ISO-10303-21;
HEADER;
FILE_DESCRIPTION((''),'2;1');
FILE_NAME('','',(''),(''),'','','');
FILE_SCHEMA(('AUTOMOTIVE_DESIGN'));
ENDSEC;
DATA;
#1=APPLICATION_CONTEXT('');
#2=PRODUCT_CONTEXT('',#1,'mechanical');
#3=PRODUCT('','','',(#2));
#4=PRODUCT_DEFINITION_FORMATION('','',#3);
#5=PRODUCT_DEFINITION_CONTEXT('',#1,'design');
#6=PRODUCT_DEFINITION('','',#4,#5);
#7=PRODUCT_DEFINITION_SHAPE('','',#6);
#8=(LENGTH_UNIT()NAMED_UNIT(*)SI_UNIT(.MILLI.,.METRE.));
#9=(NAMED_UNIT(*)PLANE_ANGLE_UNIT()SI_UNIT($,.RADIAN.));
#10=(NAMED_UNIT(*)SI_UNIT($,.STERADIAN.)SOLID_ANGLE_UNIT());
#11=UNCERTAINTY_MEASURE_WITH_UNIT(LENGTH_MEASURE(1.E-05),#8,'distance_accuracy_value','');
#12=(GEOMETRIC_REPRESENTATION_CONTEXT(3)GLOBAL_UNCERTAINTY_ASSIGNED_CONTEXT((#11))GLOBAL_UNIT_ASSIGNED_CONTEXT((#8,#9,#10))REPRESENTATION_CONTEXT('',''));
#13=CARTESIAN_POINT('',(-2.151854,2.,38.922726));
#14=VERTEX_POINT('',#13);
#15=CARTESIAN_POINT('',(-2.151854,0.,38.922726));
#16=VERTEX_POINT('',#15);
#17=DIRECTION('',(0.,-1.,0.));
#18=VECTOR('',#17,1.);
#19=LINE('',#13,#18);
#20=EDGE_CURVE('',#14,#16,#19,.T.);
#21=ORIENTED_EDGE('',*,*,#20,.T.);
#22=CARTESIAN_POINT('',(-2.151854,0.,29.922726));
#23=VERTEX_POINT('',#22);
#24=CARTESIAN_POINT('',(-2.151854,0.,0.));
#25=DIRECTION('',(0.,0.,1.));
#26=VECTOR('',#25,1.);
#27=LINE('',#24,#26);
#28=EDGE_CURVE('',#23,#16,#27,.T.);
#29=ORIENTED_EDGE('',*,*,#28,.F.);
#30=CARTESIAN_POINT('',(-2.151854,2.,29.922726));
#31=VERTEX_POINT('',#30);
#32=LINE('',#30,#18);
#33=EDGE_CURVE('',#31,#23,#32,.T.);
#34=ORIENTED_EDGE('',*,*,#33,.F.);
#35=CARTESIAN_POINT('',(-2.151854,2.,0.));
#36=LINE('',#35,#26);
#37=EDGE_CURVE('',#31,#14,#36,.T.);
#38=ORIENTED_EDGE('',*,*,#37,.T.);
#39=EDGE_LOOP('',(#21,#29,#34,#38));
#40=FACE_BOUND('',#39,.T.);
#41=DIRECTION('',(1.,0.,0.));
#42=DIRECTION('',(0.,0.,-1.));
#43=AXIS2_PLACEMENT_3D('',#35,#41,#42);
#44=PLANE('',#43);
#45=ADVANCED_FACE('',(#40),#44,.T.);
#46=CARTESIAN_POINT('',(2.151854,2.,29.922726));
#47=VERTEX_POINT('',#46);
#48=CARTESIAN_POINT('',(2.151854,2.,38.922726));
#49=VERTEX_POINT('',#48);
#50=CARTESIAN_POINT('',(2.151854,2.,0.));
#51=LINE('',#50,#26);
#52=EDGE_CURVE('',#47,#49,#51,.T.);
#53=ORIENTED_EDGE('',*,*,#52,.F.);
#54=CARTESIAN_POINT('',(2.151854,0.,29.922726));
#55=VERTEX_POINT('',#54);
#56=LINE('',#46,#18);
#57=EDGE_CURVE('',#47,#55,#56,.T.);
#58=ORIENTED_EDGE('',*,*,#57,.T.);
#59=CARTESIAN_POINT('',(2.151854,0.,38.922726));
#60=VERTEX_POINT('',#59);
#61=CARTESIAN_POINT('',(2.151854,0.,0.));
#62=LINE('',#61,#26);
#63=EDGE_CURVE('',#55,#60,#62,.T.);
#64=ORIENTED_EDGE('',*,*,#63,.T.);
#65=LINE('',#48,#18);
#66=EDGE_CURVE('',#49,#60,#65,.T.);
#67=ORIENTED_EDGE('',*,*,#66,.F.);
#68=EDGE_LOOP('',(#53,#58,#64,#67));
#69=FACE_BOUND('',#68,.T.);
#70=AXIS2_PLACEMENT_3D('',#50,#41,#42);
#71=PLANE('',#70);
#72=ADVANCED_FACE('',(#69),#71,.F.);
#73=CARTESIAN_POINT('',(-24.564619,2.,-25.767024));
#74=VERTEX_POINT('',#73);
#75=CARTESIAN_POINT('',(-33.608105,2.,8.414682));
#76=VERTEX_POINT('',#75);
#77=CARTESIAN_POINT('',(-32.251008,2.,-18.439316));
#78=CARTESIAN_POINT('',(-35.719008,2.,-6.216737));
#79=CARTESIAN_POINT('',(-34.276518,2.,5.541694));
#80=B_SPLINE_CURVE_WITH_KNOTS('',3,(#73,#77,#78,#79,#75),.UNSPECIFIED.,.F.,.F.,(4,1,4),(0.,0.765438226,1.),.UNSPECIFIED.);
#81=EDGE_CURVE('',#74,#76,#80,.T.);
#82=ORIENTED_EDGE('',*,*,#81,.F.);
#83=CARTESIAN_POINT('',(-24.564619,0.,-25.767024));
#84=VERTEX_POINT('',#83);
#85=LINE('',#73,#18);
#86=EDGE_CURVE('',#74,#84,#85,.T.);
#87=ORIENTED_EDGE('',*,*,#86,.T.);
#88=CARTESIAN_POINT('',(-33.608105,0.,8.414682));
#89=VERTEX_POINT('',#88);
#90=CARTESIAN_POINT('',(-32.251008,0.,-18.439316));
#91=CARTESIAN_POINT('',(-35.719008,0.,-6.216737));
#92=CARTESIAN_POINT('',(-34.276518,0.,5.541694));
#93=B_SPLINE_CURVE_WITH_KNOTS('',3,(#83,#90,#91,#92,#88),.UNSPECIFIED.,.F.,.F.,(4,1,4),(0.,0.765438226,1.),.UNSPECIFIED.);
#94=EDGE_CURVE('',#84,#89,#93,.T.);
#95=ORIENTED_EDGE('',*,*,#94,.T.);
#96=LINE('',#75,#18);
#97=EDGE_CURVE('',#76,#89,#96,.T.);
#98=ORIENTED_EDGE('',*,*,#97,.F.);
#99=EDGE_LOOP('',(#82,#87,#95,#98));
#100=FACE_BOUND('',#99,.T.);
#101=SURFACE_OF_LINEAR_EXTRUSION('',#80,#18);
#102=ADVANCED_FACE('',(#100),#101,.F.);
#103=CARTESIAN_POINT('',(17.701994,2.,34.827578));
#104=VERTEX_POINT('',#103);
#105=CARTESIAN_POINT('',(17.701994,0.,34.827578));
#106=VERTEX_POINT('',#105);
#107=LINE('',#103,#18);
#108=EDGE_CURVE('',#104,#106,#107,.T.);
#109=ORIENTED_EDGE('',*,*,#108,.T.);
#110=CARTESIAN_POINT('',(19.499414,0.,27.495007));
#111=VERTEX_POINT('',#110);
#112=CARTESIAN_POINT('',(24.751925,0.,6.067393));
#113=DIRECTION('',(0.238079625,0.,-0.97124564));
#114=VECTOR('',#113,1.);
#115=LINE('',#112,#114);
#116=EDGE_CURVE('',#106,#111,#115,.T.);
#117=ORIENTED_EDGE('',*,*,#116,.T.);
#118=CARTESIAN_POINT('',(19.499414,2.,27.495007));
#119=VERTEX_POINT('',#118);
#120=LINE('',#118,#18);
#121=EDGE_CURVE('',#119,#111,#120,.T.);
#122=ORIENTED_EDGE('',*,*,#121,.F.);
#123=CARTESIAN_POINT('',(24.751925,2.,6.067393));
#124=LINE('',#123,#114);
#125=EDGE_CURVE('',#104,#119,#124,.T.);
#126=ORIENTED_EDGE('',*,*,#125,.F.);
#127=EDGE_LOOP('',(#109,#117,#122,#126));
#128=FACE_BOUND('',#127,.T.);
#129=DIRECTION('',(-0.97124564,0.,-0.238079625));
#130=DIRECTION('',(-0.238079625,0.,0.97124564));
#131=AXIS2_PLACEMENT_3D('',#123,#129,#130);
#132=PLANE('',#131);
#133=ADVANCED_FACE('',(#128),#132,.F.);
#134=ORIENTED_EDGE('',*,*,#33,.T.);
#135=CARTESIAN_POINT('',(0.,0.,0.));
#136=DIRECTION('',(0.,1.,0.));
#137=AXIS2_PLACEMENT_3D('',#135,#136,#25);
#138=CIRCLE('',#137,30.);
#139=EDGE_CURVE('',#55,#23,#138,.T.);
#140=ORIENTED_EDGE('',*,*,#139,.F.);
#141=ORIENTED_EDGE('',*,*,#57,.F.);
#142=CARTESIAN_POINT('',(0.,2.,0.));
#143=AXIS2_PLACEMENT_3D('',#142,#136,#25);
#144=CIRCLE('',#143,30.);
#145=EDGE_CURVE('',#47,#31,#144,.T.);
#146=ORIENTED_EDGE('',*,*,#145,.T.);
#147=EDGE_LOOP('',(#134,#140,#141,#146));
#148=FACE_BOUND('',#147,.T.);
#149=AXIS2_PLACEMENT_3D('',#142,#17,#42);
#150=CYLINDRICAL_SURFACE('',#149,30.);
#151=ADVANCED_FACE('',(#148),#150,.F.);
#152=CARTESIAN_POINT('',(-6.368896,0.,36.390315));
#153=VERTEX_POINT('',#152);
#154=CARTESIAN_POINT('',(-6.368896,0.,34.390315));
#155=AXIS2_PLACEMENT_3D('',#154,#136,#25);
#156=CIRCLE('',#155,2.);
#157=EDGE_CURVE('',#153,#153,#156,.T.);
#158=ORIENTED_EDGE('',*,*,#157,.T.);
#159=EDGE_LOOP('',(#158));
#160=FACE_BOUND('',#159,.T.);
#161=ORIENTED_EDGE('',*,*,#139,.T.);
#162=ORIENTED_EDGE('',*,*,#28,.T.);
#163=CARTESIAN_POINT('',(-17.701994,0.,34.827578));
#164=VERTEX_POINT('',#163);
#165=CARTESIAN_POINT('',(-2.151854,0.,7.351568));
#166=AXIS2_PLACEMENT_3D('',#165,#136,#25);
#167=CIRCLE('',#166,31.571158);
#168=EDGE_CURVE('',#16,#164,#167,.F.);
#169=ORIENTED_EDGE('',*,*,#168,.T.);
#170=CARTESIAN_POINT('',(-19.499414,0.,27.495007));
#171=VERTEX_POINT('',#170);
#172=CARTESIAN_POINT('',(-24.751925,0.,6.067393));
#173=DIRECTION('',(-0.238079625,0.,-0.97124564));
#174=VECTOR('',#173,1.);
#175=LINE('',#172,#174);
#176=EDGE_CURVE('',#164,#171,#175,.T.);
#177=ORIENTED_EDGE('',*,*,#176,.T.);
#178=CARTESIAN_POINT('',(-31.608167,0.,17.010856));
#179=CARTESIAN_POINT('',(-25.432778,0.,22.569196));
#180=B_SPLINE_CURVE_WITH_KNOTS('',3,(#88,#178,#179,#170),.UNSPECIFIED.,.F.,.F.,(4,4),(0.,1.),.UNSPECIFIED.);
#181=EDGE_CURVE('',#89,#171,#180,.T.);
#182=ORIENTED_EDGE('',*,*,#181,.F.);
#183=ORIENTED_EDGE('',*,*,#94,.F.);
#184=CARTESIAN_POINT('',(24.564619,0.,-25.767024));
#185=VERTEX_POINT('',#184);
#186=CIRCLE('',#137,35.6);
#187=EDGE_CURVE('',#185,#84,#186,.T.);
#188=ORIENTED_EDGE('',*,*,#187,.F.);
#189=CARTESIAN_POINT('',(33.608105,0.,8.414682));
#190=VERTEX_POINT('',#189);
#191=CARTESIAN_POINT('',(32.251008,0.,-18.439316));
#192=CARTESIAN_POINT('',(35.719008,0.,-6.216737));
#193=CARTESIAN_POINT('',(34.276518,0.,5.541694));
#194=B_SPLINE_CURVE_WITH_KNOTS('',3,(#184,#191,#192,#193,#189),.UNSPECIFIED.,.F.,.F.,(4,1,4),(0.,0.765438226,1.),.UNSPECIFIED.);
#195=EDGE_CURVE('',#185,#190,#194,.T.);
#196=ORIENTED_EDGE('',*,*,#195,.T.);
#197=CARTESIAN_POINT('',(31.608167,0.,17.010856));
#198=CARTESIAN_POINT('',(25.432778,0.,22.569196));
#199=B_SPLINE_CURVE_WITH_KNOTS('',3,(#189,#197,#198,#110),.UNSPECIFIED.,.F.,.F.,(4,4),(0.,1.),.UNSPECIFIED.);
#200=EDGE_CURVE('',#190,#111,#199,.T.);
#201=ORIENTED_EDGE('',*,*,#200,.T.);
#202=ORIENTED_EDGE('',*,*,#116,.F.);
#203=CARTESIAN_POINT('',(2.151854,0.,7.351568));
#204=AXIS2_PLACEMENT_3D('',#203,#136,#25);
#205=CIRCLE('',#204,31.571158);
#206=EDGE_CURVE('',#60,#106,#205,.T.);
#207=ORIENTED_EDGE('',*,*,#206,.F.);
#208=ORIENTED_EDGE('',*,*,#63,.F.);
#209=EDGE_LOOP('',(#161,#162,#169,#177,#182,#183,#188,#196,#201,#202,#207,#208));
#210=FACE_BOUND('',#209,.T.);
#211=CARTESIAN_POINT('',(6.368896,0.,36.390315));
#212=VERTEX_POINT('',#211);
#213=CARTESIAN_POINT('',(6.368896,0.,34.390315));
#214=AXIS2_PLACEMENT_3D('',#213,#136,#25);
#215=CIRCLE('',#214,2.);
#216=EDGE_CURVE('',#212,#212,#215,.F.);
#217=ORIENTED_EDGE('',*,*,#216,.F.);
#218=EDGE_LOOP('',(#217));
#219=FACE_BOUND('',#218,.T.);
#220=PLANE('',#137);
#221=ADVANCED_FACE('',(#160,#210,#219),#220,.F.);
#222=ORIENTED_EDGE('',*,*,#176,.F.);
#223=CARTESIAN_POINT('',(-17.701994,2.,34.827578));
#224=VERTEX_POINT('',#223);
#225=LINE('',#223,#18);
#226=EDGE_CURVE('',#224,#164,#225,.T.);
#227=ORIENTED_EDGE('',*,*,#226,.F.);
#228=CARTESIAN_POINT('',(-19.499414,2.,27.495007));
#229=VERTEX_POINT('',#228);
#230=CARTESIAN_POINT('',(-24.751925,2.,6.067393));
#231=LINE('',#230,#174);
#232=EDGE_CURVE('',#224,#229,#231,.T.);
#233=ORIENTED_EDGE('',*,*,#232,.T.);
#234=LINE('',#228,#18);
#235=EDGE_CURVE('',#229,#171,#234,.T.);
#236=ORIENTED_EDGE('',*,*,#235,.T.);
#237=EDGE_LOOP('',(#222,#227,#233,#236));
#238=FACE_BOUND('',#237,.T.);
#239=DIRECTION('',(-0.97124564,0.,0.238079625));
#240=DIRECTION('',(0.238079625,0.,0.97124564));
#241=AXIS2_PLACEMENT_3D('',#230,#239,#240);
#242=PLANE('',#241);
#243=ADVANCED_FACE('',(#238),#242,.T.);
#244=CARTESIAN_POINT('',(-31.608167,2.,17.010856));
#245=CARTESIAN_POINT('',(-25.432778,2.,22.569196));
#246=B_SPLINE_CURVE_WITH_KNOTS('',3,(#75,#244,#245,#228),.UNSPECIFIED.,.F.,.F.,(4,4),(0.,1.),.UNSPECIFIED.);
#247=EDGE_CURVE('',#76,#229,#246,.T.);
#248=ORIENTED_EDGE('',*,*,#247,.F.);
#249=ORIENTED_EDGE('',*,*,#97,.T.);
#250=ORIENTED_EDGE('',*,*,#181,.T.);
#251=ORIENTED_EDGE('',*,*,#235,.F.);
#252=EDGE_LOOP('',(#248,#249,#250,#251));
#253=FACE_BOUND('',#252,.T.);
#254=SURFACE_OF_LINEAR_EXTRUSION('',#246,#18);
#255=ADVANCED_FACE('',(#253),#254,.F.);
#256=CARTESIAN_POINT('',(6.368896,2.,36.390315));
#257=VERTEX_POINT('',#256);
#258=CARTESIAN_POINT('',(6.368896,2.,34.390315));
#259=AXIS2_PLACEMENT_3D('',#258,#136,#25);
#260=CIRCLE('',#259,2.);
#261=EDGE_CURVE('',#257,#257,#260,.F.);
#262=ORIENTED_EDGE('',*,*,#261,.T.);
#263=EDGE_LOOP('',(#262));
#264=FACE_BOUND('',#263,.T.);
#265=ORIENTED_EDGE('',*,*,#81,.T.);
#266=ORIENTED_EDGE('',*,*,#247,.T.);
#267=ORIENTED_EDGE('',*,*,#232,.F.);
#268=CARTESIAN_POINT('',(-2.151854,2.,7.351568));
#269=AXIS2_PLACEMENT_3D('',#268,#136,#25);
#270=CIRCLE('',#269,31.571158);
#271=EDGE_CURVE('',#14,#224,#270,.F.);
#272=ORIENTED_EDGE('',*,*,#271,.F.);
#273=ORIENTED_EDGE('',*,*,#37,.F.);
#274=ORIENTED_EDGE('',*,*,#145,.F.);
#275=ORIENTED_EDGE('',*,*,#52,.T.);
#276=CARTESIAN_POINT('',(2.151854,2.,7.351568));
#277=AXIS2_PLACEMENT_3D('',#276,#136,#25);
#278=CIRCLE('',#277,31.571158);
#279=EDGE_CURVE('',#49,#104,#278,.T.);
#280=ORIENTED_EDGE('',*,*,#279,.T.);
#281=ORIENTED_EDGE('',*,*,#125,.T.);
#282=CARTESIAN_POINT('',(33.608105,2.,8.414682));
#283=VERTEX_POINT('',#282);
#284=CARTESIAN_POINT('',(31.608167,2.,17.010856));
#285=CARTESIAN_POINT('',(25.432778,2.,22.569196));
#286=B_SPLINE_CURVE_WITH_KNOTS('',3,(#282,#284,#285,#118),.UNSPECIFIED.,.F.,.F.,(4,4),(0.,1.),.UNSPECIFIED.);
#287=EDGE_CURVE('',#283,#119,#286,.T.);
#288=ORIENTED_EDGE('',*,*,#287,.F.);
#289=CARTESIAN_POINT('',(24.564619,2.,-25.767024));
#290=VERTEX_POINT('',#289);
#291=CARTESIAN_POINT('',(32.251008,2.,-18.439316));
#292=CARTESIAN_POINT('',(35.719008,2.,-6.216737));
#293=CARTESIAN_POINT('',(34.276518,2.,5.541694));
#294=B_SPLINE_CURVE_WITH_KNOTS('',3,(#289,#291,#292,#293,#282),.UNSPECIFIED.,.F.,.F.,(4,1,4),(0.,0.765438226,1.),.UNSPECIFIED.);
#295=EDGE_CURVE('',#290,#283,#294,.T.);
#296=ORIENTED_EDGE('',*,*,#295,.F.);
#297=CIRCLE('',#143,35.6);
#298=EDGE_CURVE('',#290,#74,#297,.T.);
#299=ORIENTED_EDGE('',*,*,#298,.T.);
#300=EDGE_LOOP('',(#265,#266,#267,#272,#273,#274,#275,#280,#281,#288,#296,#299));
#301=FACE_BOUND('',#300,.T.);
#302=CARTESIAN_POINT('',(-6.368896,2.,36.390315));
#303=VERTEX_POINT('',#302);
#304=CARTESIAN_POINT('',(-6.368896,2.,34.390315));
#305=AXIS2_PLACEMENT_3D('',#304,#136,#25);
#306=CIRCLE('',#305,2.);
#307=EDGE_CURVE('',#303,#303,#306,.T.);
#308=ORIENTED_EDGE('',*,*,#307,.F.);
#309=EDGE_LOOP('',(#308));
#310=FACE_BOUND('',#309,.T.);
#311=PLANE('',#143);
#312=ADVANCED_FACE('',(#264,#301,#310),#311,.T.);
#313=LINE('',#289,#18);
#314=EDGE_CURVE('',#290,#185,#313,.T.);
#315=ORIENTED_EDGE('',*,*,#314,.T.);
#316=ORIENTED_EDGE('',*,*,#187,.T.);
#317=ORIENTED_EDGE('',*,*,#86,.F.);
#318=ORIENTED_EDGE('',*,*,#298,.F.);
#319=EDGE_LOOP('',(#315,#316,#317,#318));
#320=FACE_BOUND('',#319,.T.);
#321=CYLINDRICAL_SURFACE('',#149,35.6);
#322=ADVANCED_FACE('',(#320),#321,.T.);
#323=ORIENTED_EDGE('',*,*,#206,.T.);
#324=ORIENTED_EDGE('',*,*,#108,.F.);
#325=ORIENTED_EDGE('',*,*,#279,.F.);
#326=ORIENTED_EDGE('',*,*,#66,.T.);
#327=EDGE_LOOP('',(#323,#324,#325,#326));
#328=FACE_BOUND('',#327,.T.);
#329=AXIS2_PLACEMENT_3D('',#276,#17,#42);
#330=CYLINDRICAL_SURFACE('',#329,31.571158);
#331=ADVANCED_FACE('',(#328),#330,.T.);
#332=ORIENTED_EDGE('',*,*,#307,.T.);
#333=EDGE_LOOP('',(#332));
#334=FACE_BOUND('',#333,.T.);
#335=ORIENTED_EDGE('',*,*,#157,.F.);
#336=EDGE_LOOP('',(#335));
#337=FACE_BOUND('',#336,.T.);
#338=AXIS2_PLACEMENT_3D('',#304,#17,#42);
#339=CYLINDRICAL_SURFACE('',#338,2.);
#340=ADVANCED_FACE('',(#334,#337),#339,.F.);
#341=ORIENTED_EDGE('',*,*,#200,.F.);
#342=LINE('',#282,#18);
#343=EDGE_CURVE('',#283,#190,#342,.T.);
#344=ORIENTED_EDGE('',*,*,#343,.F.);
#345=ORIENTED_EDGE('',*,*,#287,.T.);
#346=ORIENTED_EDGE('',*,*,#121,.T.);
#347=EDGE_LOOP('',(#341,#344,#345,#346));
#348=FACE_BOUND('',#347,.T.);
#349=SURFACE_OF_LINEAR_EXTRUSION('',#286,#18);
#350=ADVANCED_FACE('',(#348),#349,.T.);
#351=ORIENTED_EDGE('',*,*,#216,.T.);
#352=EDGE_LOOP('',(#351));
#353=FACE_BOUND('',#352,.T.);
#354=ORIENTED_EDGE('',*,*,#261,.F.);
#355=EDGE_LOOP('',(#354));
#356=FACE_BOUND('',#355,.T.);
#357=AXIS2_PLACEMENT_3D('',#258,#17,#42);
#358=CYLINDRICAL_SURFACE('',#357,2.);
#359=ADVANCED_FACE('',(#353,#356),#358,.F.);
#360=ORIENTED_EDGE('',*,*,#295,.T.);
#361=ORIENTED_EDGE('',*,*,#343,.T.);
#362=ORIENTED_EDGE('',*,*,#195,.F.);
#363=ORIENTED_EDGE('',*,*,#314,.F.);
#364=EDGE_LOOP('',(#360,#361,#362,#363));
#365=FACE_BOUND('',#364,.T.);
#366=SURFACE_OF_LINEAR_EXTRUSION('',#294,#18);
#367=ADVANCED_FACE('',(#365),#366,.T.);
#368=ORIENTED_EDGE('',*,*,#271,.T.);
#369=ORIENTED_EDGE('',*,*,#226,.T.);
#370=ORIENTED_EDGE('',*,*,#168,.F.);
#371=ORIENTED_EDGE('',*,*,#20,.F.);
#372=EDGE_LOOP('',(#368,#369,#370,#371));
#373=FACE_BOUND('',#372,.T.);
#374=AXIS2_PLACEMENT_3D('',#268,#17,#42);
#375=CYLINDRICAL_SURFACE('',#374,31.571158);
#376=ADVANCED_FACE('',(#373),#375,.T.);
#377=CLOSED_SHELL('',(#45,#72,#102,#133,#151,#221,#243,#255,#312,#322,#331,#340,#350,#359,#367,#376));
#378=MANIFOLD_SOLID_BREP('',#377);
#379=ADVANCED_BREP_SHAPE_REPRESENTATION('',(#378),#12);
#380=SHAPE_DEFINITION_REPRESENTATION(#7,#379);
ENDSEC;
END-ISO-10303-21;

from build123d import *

# Parameters (mm, degrees)
IZIM1_R                     = 2
Y_KSEKLIK_EKSTR_ZYON1_DEPTH = 2


with BuildPart() as part:
    # Çizim1 → Yükseklik-Ekstrüzyon1 (new body)
    # profile 1 of 2: a face of its own
    with BuildSketch(Plane(origin=(0, 0, 0), x_dir=(1, 0, 0), z_dir=(0, 1, 0))):
        with BuildLine():
            Line((-2.151853537, -38.922725918), (-2.151853537, -29.922725918))
            ThreePointArc((-2.151853537, -29.922725918), (-29.980675255, 1.076620282), (0, 30))
            Line((0, 30), (0, 35.6))
            ThreePointArc((0, 35.6), (-13.229776272, 33.050461718), (-24.564618776, 25.767023584))
            add(Edge.make_bspline(
                [(-24.564618776, 25.767023584), (-32.251007767, 18.439315954), (-35.719007685, 6.21673721), (-34.276517941, -5.541694008), (-33.608104639, -8.414682353)],
                knots=[0, 0, 0, 0, 0.765438226, 1, 1, 1, 1], degree=3))
            add(Edge.make_bspline(
                [(-33.608104639, -8.414682353), (-31.608167264, -17.010855942), (-25.43277753, -22.569195675), (-19.499413864, -27.49500702)],
                knots=[0, 0, 0, 0, 1, 1, 1, 1], degree=3))
            Line((-19.499413864, -27.49500702), (-17.70199444, -34.827578129))
            ThreePointArc((-17.70199444, -34.827578129), (-10.192020163, -37.881778178), (-2.151853537, -38.922725918))
        make_face()
        with Locations(Location((-6.368896391, -34.390315296, 0), (0, 0, 270))):
            Circle(IZIM1_R, mode=Mode.SUBTRACT)
    # profile 2 of 2: a face of its own
    with BuildSketch(Plane(origin=(0, 0, 0), x_dir=(1, 0, 0), z_dir=(0, 1, 0))):
        with BuildLine():
            ThreePointArc((6.368896391, -29.316158663), (4.271156259, -29.694397185), (2.151853537, -29.922725918))
            Line((2.151853537, -29.922725918), (2.151853537, -38.922725918))
            ThreePointArc((2.151853537, -38.922725918), (10.192020163, -37.881778178), (17.70199444, -34.827578129))
            Line((17.70199444, -34.827578129), (19.499413864, -27.49500702))
            add(Edge.make_bspline(
                [(33.608104639, -8.414682353), (31.608167264, -17.010855942), (25.43277753, -22.569195675), (19.499413864, -27.49500702)],
                knots=[0, 0, 0, 0, 1, 1, 1, 1], degree=3))
            add(Edge.make_bspline(
                [(24.564618776, 25.767023584), (32.251007767, 18.439315954), (35.719007685, 6.21673721), (34.276517941, -5.541694008), (33.608104639, -8.414682353)],
                knots=[0, 0, 0, 0, 0.765438226, 1, 1, 1, 1], degree=3))
            ThreePointArc((24.564618776, 25.767023584), (13.229776272, 33.050461718), (0, 35.6))
            Line((0, 35.6), (0, 30))
            ThreePointArc((0, 30), (21.213203436, 21.213203436), (30, 0))
            ThreePointArc((30, 0), (23.356657421, -18.827282176), (6.368896391, -29.316158663))
        make_face()
        with Locations(Location((6.368896391, -34.390315296, 0), (0, 0, 270))):
            Circle(IZIM1_R, mode=Mode.SUBTRACT)
    extrude(amount=Y_KSEKLIK_EKSTR_ZYON1_DEPTH)


solid = part.part
